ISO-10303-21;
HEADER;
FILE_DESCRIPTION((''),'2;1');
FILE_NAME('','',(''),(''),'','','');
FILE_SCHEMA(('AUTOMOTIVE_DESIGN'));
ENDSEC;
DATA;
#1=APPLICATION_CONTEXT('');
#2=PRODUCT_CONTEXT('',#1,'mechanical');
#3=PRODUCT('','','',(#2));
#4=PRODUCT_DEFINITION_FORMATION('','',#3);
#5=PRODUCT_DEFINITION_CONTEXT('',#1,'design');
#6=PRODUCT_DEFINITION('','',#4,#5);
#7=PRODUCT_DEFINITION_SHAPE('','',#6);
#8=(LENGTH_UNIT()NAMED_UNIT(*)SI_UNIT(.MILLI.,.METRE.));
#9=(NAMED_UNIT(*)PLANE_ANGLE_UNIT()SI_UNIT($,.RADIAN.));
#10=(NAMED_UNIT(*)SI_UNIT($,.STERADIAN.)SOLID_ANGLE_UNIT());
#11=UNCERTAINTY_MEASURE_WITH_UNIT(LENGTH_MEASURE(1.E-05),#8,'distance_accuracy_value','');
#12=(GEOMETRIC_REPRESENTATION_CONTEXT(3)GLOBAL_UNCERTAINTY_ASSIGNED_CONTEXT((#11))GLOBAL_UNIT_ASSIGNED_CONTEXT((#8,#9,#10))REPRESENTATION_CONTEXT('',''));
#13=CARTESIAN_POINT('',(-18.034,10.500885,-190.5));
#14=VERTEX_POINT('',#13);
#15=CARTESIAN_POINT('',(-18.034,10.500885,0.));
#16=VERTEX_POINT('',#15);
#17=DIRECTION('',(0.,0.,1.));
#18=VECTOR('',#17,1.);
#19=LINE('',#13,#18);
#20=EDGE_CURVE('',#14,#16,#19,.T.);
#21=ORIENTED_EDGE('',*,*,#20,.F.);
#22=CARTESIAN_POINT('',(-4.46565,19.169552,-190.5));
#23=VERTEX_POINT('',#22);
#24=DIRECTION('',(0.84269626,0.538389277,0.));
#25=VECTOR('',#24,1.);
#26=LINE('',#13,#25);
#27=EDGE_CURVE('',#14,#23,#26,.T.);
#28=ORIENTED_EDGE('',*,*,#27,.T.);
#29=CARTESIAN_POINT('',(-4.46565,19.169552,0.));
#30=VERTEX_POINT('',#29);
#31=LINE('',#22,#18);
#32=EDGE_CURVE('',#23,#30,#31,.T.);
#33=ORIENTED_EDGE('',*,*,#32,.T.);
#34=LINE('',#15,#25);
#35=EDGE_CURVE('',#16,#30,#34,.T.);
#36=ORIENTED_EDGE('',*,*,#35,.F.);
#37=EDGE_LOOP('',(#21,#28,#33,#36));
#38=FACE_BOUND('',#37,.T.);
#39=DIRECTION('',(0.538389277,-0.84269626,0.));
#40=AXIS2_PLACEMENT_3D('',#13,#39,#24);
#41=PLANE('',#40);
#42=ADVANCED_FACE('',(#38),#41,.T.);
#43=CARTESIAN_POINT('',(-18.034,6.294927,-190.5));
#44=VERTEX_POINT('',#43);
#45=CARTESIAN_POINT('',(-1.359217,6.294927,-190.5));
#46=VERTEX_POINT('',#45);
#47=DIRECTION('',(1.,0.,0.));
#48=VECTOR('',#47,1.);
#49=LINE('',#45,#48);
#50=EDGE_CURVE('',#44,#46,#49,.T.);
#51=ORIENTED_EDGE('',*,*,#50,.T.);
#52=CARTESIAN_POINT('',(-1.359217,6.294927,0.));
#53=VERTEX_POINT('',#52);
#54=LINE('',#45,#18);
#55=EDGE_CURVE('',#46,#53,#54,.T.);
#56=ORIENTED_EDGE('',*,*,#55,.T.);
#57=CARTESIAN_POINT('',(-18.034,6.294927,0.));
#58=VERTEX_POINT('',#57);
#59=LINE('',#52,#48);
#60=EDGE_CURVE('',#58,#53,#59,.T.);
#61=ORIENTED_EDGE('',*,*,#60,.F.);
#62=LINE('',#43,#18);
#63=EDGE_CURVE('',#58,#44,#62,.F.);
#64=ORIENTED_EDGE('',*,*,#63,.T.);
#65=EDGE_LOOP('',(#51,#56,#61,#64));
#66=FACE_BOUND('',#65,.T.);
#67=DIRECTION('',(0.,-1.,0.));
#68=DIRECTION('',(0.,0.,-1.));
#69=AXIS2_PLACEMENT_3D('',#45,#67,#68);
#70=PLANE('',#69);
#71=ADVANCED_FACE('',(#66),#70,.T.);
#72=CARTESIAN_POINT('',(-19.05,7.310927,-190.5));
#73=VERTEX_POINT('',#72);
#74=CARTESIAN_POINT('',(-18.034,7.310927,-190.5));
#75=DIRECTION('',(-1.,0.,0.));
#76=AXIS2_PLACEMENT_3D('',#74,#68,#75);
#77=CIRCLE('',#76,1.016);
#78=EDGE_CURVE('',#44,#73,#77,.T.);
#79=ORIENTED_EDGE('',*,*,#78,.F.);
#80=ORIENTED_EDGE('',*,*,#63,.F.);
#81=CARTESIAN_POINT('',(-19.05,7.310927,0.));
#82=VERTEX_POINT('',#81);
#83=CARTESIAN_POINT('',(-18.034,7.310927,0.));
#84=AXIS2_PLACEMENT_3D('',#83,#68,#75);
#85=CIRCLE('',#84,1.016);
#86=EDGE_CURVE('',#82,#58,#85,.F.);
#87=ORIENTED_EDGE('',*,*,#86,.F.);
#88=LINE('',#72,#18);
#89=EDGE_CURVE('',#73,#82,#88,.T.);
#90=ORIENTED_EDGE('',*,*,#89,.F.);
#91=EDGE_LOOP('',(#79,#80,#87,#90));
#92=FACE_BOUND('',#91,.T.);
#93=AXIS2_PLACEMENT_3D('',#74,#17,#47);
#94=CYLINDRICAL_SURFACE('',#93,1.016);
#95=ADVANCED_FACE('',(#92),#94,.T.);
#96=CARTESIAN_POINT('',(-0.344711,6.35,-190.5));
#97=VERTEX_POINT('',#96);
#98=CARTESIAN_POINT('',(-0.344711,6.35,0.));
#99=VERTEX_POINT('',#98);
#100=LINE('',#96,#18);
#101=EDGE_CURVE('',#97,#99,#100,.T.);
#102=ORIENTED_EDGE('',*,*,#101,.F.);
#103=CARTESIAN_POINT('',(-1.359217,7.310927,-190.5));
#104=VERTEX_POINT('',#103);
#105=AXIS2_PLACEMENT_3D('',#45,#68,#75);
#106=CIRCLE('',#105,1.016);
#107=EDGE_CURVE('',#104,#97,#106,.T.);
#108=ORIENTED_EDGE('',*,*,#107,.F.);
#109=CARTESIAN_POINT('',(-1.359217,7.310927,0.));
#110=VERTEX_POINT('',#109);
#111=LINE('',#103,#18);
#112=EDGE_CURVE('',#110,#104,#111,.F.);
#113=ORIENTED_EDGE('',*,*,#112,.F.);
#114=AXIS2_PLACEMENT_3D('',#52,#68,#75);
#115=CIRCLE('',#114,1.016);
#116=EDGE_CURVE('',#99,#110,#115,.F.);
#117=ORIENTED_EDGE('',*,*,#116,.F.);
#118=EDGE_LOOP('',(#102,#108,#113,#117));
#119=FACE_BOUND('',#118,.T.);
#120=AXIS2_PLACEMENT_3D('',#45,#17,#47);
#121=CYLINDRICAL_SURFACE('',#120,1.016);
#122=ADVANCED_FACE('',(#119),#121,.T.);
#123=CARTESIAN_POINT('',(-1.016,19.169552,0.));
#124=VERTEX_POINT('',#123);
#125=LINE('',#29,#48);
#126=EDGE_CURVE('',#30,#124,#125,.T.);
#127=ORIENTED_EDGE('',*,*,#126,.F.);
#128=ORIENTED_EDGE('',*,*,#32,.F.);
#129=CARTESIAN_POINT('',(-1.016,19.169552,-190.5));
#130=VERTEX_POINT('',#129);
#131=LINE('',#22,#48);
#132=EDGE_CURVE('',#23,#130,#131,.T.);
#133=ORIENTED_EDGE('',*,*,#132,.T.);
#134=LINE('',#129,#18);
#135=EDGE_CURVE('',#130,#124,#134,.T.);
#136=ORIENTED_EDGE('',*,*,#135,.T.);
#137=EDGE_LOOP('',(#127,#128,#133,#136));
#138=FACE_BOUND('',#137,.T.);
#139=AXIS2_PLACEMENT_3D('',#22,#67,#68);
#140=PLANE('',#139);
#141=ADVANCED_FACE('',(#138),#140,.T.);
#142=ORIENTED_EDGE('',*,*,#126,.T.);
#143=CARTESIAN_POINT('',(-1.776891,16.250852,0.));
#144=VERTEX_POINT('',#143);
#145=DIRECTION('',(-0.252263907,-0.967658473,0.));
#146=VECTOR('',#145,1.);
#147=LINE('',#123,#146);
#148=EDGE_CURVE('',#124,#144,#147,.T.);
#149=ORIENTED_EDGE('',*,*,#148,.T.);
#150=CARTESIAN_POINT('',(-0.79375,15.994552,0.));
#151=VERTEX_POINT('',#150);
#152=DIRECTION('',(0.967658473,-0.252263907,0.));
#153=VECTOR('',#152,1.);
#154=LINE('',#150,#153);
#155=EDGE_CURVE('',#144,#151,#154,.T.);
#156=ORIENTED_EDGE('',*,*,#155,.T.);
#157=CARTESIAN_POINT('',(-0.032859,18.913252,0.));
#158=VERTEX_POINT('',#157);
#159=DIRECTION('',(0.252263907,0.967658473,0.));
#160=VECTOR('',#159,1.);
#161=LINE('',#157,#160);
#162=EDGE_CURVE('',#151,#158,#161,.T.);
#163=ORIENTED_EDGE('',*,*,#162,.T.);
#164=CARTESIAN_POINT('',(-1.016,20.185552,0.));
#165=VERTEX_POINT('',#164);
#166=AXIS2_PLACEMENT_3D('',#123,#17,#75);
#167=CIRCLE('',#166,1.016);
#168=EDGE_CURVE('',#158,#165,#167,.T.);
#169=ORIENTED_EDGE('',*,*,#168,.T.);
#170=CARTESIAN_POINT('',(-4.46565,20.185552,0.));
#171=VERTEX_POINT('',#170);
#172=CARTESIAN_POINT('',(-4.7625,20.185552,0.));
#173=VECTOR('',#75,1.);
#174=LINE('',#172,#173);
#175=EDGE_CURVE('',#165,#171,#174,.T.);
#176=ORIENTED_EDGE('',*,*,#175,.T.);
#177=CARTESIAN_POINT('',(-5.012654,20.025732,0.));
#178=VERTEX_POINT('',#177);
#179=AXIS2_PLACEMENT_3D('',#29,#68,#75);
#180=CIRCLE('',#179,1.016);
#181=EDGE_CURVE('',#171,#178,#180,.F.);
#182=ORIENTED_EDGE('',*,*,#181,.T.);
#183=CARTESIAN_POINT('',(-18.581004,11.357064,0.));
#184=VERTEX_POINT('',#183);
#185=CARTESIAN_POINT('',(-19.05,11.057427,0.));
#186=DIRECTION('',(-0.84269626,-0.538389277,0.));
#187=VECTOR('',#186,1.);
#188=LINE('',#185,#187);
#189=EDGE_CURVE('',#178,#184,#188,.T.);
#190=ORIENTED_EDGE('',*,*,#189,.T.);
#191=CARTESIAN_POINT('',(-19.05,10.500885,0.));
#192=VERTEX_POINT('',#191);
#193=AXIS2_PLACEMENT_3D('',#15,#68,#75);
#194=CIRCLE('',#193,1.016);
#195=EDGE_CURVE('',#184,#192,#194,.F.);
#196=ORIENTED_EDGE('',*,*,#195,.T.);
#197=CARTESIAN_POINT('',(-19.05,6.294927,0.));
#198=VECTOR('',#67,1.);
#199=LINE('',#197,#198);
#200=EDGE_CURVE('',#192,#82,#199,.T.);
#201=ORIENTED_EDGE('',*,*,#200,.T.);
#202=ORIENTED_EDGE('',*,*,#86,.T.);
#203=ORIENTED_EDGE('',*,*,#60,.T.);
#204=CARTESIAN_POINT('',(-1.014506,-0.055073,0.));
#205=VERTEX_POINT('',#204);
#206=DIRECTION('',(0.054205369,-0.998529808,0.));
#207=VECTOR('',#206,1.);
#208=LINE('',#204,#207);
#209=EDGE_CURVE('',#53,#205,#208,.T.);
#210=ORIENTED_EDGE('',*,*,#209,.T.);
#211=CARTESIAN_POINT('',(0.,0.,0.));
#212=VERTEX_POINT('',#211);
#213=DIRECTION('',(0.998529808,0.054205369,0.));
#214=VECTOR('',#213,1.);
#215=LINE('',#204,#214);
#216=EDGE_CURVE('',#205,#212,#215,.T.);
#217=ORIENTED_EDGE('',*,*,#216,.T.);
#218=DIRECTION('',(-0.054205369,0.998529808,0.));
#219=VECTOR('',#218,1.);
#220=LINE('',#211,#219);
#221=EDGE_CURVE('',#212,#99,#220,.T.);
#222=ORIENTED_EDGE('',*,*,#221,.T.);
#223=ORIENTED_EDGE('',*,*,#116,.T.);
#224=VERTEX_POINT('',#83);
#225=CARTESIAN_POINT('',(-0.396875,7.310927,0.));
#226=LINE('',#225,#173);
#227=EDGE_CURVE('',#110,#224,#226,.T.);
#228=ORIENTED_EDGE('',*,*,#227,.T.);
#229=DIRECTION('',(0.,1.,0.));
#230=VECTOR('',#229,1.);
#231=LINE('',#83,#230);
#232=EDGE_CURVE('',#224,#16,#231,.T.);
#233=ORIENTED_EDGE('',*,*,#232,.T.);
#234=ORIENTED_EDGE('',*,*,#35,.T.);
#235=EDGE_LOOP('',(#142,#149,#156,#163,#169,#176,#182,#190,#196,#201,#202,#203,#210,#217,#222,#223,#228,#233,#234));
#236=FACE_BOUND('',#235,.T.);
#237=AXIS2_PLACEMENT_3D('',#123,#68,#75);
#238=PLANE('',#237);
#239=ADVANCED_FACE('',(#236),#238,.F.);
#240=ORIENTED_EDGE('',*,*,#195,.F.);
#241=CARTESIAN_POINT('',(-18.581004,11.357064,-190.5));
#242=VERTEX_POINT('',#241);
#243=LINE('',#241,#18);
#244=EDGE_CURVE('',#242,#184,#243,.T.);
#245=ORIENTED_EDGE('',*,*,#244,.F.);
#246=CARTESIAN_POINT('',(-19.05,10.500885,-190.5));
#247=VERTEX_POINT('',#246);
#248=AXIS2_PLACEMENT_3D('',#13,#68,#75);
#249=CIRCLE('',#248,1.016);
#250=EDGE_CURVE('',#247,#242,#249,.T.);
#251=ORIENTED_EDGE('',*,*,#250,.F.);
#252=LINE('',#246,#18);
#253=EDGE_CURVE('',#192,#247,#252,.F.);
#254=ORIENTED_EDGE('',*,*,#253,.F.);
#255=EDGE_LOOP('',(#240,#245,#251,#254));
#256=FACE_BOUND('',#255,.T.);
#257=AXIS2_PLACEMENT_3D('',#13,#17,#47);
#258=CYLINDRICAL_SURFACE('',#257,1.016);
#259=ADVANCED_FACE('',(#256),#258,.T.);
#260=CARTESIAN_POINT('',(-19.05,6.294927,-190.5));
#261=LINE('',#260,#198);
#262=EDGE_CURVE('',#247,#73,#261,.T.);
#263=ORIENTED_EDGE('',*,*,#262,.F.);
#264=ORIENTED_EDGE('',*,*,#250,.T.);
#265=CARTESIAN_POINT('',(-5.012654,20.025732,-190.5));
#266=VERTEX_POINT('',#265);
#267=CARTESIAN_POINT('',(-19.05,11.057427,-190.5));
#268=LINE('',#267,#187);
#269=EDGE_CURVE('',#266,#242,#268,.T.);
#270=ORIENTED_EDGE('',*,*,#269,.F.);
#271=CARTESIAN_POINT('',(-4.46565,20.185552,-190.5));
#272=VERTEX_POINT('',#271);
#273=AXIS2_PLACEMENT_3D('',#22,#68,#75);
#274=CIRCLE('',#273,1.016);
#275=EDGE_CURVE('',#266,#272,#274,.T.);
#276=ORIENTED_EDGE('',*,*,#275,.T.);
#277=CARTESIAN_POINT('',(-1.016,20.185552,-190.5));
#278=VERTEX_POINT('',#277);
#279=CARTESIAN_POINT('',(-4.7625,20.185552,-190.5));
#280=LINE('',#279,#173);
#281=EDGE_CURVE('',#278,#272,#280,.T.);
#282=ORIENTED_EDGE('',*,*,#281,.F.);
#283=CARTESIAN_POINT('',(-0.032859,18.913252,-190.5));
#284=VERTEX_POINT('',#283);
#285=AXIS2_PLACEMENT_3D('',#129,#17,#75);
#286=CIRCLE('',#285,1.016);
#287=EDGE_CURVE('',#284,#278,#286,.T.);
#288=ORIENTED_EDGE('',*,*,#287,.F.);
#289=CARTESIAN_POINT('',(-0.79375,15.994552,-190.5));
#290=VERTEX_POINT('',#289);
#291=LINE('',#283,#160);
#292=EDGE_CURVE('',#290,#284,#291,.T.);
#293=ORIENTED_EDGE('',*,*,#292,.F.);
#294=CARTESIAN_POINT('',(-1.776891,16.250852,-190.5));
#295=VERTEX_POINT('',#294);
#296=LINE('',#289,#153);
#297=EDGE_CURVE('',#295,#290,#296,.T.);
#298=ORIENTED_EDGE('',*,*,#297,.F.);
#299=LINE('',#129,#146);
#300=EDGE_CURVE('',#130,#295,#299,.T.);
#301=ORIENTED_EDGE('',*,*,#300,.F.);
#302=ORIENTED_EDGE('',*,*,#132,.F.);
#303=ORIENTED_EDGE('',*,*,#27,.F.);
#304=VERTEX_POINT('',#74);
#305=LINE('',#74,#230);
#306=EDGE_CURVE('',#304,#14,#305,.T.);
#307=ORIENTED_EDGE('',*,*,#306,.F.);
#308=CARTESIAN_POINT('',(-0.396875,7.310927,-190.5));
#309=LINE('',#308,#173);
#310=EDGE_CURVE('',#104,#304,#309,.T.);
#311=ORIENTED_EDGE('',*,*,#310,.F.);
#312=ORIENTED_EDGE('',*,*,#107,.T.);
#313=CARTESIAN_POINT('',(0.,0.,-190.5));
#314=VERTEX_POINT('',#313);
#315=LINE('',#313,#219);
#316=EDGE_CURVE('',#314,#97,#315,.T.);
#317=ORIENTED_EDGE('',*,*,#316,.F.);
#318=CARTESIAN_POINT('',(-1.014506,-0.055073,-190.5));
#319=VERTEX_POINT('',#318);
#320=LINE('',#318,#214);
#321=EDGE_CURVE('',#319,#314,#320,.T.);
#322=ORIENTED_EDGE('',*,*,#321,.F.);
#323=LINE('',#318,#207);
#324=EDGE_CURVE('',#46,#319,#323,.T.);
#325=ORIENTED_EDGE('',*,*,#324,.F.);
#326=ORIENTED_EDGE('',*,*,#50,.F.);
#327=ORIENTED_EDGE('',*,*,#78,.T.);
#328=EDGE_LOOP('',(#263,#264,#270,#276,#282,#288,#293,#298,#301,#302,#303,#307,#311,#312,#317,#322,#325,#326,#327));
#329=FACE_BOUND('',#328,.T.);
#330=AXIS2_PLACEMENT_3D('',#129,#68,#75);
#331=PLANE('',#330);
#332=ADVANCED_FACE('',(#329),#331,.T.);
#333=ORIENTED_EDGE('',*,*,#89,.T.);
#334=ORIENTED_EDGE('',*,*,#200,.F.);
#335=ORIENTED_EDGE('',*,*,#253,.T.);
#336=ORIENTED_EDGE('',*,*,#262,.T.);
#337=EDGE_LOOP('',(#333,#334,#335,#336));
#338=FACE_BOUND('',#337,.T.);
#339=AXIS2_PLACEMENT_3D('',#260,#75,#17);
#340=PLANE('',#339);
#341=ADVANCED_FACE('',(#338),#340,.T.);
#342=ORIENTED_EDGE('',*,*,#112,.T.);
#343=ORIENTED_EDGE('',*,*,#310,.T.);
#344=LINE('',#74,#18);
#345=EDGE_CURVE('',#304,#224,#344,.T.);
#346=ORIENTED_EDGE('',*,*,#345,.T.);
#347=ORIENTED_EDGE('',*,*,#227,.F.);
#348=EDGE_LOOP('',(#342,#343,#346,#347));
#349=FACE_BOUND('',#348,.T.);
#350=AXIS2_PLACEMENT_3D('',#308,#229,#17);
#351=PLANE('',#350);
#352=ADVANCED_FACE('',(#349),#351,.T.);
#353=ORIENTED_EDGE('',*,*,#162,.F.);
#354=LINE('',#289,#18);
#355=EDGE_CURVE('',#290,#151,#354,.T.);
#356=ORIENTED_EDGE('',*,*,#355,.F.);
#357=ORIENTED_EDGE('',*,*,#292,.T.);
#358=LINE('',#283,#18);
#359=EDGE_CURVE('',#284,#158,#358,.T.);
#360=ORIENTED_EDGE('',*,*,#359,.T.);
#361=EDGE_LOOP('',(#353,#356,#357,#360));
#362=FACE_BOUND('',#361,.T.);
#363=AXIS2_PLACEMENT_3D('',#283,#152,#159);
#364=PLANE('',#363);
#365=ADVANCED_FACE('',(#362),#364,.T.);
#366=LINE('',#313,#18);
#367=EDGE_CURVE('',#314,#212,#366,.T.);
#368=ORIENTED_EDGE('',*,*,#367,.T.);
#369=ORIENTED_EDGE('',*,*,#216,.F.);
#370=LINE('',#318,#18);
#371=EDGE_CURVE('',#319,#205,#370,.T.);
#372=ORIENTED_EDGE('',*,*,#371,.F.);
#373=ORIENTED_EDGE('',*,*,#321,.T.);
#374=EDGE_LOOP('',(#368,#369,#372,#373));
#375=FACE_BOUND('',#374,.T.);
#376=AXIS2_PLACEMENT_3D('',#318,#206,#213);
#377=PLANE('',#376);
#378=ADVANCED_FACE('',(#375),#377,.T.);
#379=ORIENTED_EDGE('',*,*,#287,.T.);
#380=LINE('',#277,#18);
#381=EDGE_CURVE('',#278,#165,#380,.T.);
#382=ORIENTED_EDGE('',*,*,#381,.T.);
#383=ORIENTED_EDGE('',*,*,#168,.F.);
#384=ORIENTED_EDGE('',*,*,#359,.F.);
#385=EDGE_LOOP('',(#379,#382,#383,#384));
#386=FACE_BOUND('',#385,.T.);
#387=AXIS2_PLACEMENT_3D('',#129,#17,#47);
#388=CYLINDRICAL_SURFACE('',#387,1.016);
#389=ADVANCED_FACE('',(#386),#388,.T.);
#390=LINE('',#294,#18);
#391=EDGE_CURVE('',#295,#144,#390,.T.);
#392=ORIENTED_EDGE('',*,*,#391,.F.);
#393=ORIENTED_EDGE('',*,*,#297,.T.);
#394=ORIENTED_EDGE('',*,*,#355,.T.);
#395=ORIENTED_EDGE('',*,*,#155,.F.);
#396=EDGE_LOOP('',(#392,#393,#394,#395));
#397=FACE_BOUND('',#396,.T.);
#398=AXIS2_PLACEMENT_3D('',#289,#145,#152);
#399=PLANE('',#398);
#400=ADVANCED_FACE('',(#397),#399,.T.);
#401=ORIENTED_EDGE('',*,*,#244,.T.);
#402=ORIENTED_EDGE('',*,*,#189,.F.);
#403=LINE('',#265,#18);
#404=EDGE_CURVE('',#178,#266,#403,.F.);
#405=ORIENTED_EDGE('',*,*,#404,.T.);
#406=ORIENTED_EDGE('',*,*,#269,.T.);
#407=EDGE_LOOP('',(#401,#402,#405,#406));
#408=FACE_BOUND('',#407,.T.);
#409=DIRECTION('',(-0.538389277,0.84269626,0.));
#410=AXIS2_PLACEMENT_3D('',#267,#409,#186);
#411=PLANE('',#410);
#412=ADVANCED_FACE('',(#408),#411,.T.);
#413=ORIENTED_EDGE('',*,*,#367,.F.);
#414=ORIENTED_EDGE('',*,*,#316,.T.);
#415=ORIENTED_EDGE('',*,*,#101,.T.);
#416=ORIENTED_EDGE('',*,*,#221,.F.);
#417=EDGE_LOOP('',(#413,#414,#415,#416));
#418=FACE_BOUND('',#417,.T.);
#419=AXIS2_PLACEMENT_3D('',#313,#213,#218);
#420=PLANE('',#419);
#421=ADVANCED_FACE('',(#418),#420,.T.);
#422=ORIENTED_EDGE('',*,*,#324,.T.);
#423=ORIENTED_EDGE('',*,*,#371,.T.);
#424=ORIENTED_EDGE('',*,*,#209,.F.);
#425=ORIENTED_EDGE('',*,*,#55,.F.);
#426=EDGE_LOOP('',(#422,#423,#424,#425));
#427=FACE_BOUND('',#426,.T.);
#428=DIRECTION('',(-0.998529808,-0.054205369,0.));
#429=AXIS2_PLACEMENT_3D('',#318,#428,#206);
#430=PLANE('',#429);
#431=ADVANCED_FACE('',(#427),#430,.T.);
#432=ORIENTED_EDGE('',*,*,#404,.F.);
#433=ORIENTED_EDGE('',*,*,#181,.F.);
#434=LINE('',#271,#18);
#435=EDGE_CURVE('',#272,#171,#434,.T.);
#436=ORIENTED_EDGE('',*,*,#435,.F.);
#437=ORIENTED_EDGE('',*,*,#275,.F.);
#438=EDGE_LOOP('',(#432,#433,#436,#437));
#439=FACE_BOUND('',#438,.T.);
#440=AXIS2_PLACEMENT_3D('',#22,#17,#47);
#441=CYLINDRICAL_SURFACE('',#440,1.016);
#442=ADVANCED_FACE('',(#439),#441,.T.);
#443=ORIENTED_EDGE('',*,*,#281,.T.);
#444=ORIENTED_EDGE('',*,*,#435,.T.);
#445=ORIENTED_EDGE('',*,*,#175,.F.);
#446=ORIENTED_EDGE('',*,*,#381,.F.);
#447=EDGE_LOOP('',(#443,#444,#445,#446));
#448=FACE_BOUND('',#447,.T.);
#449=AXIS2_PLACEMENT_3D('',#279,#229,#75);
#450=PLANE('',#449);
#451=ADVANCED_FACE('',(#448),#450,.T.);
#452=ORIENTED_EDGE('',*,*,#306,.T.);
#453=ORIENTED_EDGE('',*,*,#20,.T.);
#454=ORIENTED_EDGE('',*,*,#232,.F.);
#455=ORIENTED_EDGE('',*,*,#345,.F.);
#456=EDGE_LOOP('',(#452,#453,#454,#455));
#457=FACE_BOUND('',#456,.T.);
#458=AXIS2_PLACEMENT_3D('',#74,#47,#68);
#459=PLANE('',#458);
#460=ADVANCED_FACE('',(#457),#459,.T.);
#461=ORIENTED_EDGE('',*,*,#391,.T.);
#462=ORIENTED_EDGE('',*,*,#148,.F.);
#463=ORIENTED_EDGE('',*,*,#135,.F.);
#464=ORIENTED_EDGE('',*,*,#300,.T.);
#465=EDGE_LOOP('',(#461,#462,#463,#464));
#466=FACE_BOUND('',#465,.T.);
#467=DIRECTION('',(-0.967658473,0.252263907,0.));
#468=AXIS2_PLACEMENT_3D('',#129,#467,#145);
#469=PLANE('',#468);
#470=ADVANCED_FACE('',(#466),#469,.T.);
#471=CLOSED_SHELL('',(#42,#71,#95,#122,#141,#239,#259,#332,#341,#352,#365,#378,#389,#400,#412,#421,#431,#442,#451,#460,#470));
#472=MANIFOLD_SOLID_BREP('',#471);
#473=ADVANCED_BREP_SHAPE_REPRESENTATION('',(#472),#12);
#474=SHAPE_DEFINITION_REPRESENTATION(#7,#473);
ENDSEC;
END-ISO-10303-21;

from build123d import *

# Parameters (mm, degrees)
BOSS_EXTRUDE1_DEPTH = 190.5
FILLET1_R           = 1.016


with BuildPart() as part:
    # Sketch1 → Boss-Extrude1 (new body)
    with BuildSketch(Plane.XY):
        with BuildLine():
            Line((-1.014506285, -0.055072655), (-1.359217172, 6.294927345))
            Line((-1.359217172, 6.294927345), (-19.05, 6.294927345))
            Line((-19.05, 6.294927345), (-19.05, 11.057427345))
            Line((-19.05, 11.057427345), (-4.7625, 20.185552345))
            Line((-4.7625, 20.185552345), (-1.016, 20.185552345))
            ThreePointArc((-1.016, 20.185552345), (-0.212054439, 19.790783006), (-0.032858991, 18.913252215))
            Line((-0.032858991, 18.913252215), (-0.79375, 15.994552345))
            Line((-0.79375, 15.994552345), (-1.776891009, 16.250852474))
            Line((-1.776891009, 16.250852474), (-1.016, 19.169552345))
            Line((-1.016, 19.169552345), (-4.465650477, 19.169552345))
            Line((-4.465650477, 19.169552345), (-18.034, 10.500884594))
            Line((-18.034, 10.500884594), (-18.034, 7.310927345))
            Line((-18.034, 7.310927345), (-0.396875, 7.310927345))
            Line((-0.396875, 7.310927345), (0, 0))
            Line((0, 0), (-1.014506285, -0.055072655))
        make_face()
    extrude(amount=-BOSS_EXTRUDE1_DEPTH)

    # Fillet1
    fillet1_edges = [part.edges().sort_by_distance(p)[0] for p in [
        (-19.05, 6.294927345, -95.25),
        (-19.05, 11.057427345, -95.25),
        (-4.7625, 20.185552345, -95.25),
        (-0.396875, 7.310927345, -95.25),
    ]]
    fillet(fillet1_edges, radius=FILLET1_R)


solid = part.part
